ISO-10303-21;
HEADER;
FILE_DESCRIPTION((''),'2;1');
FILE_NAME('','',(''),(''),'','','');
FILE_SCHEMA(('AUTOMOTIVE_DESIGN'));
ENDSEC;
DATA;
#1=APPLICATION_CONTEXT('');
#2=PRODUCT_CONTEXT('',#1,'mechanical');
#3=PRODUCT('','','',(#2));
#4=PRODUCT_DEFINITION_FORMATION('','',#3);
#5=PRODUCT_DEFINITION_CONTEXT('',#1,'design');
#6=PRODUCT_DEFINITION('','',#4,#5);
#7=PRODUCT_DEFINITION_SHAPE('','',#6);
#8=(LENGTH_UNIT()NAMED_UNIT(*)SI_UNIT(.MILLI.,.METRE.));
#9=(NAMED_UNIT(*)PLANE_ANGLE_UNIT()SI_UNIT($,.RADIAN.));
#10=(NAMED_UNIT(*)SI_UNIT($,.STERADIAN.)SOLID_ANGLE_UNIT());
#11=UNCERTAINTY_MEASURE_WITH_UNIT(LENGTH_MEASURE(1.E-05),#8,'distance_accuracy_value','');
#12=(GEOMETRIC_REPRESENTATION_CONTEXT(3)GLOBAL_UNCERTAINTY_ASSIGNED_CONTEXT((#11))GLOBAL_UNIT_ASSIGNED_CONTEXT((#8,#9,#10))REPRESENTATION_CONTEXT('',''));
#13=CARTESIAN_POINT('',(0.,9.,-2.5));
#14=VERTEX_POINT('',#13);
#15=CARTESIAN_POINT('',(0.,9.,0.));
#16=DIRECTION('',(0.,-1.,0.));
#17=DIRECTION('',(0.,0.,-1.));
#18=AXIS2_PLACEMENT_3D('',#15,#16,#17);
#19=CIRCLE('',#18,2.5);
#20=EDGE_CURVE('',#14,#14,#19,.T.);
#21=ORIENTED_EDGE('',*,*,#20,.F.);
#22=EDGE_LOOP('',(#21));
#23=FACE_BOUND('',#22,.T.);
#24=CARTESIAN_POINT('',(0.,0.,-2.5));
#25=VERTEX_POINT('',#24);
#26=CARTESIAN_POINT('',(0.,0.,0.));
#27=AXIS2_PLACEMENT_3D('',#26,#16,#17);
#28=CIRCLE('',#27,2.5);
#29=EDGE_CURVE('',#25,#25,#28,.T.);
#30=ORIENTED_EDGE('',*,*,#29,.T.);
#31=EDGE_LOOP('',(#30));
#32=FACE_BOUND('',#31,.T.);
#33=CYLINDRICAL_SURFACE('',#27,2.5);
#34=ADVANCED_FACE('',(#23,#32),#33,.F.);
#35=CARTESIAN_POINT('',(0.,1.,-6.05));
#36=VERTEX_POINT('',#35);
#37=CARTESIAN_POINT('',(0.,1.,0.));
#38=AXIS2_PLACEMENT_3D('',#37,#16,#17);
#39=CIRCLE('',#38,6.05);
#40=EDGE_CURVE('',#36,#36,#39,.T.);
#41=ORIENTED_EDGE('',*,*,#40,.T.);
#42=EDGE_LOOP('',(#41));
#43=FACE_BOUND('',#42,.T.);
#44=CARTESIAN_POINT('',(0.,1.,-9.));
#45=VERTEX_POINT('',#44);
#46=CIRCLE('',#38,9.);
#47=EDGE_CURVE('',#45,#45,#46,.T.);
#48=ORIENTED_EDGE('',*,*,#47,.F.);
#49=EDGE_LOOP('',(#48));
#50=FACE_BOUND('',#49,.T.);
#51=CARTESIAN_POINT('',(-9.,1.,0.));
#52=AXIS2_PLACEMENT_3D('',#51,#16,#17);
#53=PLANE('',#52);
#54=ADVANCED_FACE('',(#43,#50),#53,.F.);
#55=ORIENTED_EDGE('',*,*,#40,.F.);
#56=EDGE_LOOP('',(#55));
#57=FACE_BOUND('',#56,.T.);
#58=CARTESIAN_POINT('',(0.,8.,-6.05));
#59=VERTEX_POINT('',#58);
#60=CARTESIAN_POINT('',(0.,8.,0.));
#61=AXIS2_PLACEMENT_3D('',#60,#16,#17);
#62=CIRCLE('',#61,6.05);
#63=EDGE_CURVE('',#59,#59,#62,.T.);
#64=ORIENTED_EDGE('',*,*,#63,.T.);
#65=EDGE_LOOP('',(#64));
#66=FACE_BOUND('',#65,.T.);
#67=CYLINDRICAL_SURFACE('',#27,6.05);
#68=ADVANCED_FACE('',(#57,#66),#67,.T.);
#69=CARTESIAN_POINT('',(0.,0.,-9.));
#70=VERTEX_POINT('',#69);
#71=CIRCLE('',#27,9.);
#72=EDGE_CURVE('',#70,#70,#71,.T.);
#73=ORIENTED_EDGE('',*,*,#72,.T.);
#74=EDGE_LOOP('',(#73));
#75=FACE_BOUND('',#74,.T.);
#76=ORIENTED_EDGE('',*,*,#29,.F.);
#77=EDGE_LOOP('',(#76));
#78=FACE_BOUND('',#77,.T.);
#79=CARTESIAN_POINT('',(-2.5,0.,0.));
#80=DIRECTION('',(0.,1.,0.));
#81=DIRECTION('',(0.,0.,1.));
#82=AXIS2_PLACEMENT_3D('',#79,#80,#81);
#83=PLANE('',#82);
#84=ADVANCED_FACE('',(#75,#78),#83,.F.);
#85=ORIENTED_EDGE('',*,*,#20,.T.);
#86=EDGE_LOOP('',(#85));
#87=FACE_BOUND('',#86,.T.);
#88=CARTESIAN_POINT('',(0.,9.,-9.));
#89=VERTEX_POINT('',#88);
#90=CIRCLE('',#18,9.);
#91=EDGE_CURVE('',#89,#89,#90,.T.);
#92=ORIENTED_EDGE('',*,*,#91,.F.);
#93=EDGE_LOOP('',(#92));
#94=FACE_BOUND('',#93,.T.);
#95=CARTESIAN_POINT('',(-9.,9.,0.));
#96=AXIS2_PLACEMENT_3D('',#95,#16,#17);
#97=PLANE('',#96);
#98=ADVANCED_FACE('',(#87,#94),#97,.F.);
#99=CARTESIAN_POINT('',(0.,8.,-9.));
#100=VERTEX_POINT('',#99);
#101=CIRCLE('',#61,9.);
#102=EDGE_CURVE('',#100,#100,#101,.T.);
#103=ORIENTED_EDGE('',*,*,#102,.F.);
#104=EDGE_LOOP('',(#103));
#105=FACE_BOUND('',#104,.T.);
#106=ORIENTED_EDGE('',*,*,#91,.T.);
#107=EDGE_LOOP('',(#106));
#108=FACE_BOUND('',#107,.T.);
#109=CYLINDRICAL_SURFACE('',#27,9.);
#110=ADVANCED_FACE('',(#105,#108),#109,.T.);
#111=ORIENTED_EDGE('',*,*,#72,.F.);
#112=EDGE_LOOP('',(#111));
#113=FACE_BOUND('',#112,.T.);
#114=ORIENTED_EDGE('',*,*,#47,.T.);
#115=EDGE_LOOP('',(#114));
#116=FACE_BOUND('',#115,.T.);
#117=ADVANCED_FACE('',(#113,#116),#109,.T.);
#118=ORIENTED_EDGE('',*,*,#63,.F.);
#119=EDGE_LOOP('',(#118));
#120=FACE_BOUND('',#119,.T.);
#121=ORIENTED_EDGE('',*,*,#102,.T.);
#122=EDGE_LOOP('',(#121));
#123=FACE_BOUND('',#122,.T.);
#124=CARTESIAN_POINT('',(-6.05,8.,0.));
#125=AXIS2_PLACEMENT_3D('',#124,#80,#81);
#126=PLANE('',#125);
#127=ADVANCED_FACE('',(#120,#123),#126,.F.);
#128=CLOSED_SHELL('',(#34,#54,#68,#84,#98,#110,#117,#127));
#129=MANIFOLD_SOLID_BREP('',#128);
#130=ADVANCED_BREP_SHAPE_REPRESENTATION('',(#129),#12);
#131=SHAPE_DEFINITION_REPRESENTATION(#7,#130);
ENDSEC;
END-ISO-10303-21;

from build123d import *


with BuildPart() as part:
    # Sketch1 → Revolve1 (revolve)
    with BuildSketch(Plane.XY, mode=Mode.PRIVATE) as revolve1_sk:
        Polygon((-2.5, 0), (-9, 0), (-9, 1), (-6.05, 1), (-6.05, 8), (-9, 8), (-9, 9), (-2.5, 9), align=None)
    revolve(revolve1_sk.sketch.rotate(Axis((0, 0, 0), (0, 1, 0)), 270), axis=Axis((0, 0, 0), (0, 1, 0)))


solid = part.part
